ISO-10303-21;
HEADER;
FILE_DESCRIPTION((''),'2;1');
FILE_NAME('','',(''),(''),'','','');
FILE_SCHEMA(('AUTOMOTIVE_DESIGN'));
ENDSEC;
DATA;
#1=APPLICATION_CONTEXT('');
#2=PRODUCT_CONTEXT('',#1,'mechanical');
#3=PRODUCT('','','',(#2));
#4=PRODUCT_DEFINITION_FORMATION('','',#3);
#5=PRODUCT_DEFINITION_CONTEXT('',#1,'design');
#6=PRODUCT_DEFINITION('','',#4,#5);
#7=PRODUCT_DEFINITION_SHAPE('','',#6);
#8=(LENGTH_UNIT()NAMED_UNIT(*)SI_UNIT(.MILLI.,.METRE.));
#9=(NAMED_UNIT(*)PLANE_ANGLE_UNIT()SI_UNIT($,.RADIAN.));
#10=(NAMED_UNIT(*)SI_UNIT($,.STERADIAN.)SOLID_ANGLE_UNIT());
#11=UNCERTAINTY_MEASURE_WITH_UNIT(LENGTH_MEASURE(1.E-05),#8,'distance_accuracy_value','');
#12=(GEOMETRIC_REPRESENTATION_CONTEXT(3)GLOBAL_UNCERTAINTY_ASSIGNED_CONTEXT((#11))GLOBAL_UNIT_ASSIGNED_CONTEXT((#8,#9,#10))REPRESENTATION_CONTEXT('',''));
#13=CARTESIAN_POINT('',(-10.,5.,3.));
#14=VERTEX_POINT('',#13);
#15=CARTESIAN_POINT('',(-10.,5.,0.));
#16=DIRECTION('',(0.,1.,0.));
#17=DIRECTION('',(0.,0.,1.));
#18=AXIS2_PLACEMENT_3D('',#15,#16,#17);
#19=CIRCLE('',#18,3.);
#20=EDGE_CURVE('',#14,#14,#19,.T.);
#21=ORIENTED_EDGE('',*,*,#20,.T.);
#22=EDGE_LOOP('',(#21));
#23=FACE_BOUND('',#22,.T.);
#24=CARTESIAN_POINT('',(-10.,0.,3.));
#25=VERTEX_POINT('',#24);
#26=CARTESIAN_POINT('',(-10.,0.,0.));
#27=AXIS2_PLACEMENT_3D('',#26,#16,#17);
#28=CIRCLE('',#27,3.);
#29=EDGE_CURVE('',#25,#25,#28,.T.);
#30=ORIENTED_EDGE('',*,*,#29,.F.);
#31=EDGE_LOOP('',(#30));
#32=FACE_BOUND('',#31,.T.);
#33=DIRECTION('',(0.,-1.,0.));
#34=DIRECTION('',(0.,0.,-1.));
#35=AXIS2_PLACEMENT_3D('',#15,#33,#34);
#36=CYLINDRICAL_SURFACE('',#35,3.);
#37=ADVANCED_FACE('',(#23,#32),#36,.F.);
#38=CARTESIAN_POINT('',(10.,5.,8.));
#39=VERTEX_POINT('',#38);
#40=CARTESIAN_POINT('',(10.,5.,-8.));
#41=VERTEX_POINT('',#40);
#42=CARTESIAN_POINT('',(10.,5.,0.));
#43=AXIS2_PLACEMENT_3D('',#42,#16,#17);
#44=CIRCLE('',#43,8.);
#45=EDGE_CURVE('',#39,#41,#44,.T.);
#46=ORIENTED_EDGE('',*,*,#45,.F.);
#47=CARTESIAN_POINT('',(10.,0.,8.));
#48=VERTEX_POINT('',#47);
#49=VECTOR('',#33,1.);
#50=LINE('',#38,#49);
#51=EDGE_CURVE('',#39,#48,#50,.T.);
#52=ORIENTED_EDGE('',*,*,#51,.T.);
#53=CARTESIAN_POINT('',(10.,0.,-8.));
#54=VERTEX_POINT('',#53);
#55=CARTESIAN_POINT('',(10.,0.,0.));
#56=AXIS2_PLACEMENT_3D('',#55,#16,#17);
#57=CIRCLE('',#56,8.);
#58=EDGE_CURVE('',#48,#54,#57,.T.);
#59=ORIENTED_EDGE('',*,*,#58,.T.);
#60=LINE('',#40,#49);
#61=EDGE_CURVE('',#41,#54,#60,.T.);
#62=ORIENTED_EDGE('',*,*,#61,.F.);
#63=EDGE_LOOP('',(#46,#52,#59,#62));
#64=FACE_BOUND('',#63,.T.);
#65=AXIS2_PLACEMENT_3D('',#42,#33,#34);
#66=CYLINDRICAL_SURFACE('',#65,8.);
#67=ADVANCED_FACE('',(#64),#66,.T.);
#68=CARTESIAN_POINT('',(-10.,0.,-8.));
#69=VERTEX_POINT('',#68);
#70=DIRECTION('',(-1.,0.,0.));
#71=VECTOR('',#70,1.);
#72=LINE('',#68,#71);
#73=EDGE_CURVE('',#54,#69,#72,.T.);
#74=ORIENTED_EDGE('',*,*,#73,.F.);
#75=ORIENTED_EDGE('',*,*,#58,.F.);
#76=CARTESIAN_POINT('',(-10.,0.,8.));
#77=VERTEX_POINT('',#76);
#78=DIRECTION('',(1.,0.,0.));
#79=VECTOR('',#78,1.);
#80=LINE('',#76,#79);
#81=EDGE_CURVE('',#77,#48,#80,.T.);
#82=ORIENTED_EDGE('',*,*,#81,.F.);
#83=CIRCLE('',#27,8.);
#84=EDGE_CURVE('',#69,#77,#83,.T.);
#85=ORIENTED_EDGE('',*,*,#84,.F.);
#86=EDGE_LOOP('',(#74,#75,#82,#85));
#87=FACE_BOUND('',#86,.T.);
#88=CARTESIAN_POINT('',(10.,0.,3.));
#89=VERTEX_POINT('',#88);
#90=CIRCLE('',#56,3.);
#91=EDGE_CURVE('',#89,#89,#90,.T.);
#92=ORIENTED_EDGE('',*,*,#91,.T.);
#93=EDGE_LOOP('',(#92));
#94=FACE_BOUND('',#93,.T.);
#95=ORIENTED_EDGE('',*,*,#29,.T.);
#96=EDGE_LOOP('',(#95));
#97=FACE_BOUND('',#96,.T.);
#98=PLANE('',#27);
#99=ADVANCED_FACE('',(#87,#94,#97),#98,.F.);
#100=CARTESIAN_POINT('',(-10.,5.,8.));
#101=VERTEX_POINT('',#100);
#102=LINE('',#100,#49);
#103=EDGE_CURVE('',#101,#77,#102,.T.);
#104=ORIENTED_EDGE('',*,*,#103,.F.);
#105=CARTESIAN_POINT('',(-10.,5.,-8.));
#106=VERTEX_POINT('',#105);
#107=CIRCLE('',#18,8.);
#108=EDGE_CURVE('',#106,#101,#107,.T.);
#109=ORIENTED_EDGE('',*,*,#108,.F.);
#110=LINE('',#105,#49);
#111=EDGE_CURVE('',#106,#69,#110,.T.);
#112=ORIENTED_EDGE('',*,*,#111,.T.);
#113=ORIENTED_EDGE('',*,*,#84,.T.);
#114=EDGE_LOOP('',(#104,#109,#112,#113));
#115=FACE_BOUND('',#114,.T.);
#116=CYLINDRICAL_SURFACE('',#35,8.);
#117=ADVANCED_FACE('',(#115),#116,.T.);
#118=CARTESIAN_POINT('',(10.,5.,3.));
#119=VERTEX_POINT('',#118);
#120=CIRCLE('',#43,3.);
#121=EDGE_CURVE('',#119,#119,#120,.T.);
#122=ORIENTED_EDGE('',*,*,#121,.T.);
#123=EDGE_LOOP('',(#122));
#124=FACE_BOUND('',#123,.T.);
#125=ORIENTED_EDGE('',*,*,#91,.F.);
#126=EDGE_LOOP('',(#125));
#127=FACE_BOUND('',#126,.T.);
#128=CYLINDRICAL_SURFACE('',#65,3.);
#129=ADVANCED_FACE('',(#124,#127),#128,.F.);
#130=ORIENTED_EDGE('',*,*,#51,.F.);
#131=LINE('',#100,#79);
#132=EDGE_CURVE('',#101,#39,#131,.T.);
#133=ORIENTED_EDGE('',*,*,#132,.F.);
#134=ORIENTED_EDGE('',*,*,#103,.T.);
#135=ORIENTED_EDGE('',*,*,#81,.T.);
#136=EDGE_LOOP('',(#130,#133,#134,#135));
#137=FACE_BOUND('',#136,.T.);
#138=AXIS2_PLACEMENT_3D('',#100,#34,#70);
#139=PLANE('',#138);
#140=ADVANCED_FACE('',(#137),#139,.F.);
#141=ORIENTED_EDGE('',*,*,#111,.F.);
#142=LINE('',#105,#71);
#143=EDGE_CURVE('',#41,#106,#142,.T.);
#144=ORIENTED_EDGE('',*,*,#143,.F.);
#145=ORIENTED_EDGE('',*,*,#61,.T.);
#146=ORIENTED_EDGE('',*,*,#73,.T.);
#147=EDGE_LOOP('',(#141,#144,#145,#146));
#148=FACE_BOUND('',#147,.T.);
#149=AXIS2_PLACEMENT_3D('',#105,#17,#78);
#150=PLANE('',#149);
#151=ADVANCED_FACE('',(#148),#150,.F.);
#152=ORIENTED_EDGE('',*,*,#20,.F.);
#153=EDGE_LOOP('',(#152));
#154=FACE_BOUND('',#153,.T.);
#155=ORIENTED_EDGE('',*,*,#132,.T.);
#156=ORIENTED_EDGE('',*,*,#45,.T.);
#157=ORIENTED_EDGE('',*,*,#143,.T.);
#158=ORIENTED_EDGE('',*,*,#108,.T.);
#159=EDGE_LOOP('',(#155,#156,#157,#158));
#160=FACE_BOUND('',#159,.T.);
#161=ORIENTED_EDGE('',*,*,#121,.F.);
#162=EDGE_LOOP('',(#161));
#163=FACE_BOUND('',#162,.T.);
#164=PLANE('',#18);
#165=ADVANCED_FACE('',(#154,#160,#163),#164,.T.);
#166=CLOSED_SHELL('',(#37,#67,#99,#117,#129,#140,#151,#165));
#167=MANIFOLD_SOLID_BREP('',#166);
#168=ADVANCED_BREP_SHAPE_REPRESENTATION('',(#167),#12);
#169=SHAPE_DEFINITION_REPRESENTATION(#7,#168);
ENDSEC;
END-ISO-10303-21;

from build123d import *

# Parameters (mm, degrees)
SKETCH_1_R      = 3
EXTRUDE_1_DEPTH = 5


with BuildPart() as part:
    # 草圖1 → 填料-伸長1 (new body)
    with BuildSketch(Plane(origin=(0, 0, 0), x_dir=(1, 0, 0), z_dir=(0, 1, 0))):
        with BuildLine():
            Line((-10, 8), (10, 8))
            ThreePointArc((10, 8), (18, 0), (10, -8))
            Line((10, -8), (-10, -8))
            ThreePointArc((-10, -8), (-18, 0), (-10, 8))
        make_face()
        with Locations(Location((-10, 0, 0), (0, 0, 270))):
            Circle(SKETCH_1_R, mode=Mode.SUBTRACT)
        with Locations(Location((10, 0, 0), (0, 0, 270))):
            Circle(SKETCH_1_R, mode=Mode.SUBTRACT)
    extrude(amount=EXTRUDE_1_DEPTH)


solid = part.part
